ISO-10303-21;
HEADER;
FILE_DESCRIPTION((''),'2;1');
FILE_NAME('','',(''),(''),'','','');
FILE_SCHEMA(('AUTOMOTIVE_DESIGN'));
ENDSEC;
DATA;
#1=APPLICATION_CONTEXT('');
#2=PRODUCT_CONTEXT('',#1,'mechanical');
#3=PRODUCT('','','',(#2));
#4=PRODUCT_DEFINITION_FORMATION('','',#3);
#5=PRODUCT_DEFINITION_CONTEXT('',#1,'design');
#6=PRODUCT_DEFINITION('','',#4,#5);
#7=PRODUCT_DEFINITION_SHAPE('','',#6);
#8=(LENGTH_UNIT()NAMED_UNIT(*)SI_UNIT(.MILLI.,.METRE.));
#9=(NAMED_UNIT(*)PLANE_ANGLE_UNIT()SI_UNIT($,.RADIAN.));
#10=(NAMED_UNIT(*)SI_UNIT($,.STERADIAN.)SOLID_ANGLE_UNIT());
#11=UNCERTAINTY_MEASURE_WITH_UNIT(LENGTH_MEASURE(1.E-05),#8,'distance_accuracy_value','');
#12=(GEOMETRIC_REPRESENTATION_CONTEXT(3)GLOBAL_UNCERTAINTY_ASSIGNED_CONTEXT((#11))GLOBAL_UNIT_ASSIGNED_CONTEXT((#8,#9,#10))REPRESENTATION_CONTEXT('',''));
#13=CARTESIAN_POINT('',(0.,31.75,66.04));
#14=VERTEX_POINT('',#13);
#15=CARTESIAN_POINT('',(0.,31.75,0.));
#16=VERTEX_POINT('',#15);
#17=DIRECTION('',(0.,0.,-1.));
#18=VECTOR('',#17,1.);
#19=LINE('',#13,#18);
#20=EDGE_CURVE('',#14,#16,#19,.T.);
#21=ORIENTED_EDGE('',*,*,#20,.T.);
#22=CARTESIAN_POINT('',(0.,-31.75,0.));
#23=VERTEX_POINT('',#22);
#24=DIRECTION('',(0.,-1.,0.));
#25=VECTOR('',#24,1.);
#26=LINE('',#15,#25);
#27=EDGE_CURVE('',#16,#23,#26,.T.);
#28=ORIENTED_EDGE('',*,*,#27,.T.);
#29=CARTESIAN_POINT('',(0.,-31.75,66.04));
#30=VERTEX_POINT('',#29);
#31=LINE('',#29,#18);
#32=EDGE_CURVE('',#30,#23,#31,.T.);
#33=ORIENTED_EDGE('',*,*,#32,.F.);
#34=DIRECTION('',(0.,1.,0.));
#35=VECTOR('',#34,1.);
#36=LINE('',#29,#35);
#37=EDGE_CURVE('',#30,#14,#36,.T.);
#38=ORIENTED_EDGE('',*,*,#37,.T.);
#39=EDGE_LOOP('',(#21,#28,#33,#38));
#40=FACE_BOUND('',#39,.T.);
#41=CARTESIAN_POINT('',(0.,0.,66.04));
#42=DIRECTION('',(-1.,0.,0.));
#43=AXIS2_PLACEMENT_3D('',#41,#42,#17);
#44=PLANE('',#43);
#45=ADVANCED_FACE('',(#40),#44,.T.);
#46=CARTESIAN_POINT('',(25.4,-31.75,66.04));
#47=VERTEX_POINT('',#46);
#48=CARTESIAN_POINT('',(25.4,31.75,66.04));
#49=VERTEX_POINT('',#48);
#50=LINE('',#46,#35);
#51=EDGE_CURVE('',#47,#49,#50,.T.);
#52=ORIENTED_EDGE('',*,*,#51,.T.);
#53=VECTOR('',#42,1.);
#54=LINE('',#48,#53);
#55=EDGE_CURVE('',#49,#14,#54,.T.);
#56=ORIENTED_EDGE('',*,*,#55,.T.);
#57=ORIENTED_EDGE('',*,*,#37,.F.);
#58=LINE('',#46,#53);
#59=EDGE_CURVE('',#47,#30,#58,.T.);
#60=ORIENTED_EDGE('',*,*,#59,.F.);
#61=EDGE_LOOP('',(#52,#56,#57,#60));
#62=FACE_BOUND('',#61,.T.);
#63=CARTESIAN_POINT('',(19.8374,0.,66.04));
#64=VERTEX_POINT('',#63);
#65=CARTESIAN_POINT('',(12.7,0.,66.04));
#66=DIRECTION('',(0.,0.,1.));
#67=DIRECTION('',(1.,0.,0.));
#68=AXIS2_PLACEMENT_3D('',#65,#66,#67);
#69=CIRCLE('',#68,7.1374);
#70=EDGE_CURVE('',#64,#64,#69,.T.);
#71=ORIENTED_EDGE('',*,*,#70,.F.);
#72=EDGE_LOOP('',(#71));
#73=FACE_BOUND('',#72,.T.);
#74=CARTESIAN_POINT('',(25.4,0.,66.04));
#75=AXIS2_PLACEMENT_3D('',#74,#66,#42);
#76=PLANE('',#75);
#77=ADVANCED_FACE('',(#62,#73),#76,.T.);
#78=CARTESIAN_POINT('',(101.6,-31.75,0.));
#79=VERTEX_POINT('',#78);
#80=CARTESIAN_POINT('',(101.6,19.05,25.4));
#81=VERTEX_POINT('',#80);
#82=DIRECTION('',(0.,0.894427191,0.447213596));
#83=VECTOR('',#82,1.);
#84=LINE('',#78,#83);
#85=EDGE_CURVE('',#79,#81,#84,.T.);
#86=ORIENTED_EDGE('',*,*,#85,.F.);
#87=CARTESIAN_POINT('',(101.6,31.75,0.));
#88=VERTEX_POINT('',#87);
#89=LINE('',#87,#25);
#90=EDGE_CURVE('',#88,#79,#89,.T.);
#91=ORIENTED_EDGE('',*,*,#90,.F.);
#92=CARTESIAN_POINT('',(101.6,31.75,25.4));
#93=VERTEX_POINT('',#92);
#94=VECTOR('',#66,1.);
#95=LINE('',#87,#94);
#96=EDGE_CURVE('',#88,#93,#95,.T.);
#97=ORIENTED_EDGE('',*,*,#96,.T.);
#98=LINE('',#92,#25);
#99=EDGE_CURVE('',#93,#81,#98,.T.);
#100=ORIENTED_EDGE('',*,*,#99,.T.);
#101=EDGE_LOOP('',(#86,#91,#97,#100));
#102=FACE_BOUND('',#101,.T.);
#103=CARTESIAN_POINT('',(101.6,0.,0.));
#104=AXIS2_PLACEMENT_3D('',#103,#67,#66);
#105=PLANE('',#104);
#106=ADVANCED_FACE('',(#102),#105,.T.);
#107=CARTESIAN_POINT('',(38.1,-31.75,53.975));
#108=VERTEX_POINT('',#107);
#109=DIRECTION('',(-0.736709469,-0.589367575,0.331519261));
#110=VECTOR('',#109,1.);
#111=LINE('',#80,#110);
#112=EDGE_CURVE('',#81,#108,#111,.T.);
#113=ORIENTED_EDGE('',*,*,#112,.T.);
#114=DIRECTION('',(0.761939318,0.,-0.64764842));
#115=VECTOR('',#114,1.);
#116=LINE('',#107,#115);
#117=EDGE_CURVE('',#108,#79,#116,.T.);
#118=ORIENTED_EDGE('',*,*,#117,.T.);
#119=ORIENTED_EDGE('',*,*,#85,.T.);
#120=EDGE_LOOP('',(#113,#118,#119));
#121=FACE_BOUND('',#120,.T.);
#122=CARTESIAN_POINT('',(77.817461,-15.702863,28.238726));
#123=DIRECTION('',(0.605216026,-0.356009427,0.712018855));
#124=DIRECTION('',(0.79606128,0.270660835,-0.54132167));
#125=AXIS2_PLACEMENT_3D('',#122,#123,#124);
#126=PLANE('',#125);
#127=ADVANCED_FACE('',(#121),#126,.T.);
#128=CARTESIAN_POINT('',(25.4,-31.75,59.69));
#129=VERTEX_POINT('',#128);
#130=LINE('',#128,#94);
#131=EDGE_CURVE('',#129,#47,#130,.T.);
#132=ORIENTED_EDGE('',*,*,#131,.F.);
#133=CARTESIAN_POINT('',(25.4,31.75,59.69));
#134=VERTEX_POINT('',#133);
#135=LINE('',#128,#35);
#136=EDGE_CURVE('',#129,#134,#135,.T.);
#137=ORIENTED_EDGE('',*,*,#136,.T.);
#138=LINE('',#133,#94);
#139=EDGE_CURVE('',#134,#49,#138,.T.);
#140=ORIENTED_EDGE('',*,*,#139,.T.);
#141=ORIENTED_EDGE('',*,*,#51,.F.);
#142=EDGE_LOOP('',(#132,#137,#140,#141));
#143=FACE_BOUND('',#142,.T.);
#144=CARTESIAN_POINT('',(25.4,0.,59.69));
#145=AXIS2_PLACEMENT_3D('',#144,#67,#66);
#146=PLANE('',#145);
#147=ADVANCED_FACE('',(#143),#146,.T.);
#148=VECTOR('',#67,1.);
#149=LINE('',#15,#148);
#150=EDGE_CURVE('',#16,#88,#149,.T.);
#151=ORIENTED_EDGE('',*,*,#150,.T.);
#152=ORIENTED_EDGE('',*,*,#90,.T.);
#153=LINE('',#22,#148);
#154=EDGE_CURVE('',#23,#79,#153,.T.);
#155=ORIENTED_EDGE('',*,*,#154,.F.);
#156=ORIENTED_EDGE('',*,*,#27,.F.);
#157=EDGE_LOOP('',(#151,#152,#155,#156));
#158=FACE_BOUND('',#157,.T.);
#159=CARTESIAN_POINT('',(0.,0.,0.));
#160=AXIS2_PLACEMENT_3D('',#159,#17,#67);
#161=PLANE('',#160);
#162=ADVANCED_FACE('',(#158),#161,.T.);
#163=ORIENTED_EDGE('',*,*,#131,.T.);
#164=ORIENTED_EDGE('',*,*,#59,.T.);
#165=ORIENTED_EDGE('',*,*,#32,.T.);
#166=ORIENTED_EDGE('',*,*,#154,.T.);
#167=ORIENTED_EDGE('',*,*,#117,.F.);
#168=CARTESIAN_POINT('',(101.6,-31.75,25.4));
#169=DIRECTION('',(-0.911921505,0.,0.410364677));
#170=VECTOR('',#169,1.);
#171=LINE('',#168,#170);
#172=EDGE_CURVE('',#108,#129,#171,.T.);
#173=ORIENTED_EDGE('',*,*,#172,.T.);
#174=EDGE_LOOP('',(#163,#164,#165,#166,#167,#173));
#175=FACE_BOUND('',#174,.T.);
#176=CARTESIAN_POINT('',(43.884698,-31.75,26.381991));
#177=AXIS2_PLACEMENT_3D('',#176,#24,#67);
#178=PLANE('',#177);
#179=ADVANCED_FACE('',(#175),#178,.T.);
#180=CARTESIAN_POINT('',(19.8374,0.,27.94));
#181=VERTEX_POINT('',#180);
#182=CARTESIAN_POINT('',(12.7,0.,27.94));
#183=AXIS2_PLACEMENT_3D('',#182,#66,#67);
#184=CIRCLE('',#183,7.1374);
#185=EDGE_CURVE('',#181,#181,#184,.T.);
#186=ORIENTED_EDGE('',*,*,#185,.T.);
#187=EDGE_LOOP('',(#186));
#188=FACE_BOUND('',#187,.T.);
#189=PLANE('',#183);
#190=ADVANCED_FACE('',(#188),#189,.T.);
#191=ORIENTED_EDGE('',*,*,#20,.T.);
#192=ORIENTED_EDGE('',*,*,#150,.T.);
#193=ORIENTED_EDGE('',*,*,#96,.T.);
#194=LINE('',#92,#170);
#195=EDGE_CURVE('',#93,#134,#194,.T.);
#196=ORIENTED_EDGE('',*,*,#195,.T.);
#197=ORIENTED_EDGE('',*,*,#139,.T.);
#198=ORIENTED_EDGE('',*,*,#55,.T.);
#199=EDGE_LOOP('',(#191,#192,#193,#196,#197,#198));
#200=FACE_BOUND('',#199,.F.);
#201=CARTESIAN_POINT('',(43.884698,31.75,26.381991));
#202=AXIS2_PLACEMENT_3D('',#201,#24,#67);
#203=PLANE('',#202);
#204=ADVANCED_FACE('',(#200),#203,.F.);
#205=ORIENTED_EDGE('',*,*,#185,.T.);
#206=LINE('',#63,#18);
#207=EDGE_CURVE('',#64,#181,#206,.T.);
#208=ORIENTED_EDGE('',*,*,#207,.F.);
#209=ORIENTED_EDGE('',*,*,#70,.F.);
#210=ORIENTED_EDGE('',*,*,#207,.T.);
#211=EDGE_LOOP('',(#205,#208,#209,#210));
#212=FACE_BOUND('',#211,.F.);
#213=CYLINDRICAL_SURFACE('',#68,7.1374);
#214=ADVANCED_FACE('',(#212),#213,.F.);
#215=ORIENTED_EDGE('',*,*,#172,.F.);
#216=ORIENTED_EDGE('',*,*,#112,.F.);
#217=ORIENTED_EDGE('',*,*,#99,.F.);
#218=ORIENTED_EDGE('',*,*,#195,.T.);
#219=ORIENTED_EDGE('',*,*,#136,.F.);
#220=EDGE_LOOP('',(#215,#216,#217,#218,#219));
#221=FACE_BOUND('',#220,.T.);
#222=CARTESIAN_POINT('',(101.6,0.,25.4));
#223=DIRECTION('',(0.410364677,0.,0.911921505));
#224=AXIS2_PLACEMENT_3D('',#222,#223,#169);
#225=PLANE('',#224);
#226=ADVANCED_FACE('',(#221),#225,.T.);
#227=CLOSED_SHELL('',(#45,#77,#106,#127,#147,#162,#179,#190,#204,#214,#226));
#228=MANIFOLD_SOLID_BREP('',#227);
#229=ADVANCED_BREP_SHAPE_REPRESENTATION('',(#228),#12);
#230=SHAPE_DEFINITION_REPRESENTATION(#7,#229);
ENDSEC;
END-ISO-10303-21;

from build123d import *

# Parameters (mm, degrees)
F1_DEPTH = 31.75
F2_R     = 7.1374
F3_DEPTH = 38.1
F8_DEPTH = 47.0227251518


with BuildPart() as f1:
    # F0 (on Front) → F1 (new body, symmetric)
    with BuildSketch(Plane.XZ):
        Polygon((0, 66.04), (0, 0), (101.6, 0), (101.6, 25.4), (25.4, 59.69), (25.4, 66.04), align=None)
    extrude(amount=F1_DEPTH, both=True)

    # F2 (on face) → F3 (cut)
    with BuildSketch(Plane.XY.offset(66.04)):
        with Locations((12.7, 0)):
            Circle(F2_R)
    extrude(amount=-F3_DEPTH, mode=Mode.SUBTRACT)

    # F7 (on 3pt) → F8 (cut, through all)
    with BuildSketch(Plane(origin=(44.0556400507, -25.9150823828, 51.8301647655), x_dir=(0.79606128, 0.2706608352, -0.5413216704), z_dir=(0.6052160263, -0.3560094273, 0.7120188545))):
        Polygon((72.2863445278, -28.3980633142), (72.2863445278, 28.3980633142), (-7.4813839092, -4.2597094971), align=None)
    extrude(amount=F8_DEPTH, mode=Mode.SUBTRACT)


solid = f1.part
